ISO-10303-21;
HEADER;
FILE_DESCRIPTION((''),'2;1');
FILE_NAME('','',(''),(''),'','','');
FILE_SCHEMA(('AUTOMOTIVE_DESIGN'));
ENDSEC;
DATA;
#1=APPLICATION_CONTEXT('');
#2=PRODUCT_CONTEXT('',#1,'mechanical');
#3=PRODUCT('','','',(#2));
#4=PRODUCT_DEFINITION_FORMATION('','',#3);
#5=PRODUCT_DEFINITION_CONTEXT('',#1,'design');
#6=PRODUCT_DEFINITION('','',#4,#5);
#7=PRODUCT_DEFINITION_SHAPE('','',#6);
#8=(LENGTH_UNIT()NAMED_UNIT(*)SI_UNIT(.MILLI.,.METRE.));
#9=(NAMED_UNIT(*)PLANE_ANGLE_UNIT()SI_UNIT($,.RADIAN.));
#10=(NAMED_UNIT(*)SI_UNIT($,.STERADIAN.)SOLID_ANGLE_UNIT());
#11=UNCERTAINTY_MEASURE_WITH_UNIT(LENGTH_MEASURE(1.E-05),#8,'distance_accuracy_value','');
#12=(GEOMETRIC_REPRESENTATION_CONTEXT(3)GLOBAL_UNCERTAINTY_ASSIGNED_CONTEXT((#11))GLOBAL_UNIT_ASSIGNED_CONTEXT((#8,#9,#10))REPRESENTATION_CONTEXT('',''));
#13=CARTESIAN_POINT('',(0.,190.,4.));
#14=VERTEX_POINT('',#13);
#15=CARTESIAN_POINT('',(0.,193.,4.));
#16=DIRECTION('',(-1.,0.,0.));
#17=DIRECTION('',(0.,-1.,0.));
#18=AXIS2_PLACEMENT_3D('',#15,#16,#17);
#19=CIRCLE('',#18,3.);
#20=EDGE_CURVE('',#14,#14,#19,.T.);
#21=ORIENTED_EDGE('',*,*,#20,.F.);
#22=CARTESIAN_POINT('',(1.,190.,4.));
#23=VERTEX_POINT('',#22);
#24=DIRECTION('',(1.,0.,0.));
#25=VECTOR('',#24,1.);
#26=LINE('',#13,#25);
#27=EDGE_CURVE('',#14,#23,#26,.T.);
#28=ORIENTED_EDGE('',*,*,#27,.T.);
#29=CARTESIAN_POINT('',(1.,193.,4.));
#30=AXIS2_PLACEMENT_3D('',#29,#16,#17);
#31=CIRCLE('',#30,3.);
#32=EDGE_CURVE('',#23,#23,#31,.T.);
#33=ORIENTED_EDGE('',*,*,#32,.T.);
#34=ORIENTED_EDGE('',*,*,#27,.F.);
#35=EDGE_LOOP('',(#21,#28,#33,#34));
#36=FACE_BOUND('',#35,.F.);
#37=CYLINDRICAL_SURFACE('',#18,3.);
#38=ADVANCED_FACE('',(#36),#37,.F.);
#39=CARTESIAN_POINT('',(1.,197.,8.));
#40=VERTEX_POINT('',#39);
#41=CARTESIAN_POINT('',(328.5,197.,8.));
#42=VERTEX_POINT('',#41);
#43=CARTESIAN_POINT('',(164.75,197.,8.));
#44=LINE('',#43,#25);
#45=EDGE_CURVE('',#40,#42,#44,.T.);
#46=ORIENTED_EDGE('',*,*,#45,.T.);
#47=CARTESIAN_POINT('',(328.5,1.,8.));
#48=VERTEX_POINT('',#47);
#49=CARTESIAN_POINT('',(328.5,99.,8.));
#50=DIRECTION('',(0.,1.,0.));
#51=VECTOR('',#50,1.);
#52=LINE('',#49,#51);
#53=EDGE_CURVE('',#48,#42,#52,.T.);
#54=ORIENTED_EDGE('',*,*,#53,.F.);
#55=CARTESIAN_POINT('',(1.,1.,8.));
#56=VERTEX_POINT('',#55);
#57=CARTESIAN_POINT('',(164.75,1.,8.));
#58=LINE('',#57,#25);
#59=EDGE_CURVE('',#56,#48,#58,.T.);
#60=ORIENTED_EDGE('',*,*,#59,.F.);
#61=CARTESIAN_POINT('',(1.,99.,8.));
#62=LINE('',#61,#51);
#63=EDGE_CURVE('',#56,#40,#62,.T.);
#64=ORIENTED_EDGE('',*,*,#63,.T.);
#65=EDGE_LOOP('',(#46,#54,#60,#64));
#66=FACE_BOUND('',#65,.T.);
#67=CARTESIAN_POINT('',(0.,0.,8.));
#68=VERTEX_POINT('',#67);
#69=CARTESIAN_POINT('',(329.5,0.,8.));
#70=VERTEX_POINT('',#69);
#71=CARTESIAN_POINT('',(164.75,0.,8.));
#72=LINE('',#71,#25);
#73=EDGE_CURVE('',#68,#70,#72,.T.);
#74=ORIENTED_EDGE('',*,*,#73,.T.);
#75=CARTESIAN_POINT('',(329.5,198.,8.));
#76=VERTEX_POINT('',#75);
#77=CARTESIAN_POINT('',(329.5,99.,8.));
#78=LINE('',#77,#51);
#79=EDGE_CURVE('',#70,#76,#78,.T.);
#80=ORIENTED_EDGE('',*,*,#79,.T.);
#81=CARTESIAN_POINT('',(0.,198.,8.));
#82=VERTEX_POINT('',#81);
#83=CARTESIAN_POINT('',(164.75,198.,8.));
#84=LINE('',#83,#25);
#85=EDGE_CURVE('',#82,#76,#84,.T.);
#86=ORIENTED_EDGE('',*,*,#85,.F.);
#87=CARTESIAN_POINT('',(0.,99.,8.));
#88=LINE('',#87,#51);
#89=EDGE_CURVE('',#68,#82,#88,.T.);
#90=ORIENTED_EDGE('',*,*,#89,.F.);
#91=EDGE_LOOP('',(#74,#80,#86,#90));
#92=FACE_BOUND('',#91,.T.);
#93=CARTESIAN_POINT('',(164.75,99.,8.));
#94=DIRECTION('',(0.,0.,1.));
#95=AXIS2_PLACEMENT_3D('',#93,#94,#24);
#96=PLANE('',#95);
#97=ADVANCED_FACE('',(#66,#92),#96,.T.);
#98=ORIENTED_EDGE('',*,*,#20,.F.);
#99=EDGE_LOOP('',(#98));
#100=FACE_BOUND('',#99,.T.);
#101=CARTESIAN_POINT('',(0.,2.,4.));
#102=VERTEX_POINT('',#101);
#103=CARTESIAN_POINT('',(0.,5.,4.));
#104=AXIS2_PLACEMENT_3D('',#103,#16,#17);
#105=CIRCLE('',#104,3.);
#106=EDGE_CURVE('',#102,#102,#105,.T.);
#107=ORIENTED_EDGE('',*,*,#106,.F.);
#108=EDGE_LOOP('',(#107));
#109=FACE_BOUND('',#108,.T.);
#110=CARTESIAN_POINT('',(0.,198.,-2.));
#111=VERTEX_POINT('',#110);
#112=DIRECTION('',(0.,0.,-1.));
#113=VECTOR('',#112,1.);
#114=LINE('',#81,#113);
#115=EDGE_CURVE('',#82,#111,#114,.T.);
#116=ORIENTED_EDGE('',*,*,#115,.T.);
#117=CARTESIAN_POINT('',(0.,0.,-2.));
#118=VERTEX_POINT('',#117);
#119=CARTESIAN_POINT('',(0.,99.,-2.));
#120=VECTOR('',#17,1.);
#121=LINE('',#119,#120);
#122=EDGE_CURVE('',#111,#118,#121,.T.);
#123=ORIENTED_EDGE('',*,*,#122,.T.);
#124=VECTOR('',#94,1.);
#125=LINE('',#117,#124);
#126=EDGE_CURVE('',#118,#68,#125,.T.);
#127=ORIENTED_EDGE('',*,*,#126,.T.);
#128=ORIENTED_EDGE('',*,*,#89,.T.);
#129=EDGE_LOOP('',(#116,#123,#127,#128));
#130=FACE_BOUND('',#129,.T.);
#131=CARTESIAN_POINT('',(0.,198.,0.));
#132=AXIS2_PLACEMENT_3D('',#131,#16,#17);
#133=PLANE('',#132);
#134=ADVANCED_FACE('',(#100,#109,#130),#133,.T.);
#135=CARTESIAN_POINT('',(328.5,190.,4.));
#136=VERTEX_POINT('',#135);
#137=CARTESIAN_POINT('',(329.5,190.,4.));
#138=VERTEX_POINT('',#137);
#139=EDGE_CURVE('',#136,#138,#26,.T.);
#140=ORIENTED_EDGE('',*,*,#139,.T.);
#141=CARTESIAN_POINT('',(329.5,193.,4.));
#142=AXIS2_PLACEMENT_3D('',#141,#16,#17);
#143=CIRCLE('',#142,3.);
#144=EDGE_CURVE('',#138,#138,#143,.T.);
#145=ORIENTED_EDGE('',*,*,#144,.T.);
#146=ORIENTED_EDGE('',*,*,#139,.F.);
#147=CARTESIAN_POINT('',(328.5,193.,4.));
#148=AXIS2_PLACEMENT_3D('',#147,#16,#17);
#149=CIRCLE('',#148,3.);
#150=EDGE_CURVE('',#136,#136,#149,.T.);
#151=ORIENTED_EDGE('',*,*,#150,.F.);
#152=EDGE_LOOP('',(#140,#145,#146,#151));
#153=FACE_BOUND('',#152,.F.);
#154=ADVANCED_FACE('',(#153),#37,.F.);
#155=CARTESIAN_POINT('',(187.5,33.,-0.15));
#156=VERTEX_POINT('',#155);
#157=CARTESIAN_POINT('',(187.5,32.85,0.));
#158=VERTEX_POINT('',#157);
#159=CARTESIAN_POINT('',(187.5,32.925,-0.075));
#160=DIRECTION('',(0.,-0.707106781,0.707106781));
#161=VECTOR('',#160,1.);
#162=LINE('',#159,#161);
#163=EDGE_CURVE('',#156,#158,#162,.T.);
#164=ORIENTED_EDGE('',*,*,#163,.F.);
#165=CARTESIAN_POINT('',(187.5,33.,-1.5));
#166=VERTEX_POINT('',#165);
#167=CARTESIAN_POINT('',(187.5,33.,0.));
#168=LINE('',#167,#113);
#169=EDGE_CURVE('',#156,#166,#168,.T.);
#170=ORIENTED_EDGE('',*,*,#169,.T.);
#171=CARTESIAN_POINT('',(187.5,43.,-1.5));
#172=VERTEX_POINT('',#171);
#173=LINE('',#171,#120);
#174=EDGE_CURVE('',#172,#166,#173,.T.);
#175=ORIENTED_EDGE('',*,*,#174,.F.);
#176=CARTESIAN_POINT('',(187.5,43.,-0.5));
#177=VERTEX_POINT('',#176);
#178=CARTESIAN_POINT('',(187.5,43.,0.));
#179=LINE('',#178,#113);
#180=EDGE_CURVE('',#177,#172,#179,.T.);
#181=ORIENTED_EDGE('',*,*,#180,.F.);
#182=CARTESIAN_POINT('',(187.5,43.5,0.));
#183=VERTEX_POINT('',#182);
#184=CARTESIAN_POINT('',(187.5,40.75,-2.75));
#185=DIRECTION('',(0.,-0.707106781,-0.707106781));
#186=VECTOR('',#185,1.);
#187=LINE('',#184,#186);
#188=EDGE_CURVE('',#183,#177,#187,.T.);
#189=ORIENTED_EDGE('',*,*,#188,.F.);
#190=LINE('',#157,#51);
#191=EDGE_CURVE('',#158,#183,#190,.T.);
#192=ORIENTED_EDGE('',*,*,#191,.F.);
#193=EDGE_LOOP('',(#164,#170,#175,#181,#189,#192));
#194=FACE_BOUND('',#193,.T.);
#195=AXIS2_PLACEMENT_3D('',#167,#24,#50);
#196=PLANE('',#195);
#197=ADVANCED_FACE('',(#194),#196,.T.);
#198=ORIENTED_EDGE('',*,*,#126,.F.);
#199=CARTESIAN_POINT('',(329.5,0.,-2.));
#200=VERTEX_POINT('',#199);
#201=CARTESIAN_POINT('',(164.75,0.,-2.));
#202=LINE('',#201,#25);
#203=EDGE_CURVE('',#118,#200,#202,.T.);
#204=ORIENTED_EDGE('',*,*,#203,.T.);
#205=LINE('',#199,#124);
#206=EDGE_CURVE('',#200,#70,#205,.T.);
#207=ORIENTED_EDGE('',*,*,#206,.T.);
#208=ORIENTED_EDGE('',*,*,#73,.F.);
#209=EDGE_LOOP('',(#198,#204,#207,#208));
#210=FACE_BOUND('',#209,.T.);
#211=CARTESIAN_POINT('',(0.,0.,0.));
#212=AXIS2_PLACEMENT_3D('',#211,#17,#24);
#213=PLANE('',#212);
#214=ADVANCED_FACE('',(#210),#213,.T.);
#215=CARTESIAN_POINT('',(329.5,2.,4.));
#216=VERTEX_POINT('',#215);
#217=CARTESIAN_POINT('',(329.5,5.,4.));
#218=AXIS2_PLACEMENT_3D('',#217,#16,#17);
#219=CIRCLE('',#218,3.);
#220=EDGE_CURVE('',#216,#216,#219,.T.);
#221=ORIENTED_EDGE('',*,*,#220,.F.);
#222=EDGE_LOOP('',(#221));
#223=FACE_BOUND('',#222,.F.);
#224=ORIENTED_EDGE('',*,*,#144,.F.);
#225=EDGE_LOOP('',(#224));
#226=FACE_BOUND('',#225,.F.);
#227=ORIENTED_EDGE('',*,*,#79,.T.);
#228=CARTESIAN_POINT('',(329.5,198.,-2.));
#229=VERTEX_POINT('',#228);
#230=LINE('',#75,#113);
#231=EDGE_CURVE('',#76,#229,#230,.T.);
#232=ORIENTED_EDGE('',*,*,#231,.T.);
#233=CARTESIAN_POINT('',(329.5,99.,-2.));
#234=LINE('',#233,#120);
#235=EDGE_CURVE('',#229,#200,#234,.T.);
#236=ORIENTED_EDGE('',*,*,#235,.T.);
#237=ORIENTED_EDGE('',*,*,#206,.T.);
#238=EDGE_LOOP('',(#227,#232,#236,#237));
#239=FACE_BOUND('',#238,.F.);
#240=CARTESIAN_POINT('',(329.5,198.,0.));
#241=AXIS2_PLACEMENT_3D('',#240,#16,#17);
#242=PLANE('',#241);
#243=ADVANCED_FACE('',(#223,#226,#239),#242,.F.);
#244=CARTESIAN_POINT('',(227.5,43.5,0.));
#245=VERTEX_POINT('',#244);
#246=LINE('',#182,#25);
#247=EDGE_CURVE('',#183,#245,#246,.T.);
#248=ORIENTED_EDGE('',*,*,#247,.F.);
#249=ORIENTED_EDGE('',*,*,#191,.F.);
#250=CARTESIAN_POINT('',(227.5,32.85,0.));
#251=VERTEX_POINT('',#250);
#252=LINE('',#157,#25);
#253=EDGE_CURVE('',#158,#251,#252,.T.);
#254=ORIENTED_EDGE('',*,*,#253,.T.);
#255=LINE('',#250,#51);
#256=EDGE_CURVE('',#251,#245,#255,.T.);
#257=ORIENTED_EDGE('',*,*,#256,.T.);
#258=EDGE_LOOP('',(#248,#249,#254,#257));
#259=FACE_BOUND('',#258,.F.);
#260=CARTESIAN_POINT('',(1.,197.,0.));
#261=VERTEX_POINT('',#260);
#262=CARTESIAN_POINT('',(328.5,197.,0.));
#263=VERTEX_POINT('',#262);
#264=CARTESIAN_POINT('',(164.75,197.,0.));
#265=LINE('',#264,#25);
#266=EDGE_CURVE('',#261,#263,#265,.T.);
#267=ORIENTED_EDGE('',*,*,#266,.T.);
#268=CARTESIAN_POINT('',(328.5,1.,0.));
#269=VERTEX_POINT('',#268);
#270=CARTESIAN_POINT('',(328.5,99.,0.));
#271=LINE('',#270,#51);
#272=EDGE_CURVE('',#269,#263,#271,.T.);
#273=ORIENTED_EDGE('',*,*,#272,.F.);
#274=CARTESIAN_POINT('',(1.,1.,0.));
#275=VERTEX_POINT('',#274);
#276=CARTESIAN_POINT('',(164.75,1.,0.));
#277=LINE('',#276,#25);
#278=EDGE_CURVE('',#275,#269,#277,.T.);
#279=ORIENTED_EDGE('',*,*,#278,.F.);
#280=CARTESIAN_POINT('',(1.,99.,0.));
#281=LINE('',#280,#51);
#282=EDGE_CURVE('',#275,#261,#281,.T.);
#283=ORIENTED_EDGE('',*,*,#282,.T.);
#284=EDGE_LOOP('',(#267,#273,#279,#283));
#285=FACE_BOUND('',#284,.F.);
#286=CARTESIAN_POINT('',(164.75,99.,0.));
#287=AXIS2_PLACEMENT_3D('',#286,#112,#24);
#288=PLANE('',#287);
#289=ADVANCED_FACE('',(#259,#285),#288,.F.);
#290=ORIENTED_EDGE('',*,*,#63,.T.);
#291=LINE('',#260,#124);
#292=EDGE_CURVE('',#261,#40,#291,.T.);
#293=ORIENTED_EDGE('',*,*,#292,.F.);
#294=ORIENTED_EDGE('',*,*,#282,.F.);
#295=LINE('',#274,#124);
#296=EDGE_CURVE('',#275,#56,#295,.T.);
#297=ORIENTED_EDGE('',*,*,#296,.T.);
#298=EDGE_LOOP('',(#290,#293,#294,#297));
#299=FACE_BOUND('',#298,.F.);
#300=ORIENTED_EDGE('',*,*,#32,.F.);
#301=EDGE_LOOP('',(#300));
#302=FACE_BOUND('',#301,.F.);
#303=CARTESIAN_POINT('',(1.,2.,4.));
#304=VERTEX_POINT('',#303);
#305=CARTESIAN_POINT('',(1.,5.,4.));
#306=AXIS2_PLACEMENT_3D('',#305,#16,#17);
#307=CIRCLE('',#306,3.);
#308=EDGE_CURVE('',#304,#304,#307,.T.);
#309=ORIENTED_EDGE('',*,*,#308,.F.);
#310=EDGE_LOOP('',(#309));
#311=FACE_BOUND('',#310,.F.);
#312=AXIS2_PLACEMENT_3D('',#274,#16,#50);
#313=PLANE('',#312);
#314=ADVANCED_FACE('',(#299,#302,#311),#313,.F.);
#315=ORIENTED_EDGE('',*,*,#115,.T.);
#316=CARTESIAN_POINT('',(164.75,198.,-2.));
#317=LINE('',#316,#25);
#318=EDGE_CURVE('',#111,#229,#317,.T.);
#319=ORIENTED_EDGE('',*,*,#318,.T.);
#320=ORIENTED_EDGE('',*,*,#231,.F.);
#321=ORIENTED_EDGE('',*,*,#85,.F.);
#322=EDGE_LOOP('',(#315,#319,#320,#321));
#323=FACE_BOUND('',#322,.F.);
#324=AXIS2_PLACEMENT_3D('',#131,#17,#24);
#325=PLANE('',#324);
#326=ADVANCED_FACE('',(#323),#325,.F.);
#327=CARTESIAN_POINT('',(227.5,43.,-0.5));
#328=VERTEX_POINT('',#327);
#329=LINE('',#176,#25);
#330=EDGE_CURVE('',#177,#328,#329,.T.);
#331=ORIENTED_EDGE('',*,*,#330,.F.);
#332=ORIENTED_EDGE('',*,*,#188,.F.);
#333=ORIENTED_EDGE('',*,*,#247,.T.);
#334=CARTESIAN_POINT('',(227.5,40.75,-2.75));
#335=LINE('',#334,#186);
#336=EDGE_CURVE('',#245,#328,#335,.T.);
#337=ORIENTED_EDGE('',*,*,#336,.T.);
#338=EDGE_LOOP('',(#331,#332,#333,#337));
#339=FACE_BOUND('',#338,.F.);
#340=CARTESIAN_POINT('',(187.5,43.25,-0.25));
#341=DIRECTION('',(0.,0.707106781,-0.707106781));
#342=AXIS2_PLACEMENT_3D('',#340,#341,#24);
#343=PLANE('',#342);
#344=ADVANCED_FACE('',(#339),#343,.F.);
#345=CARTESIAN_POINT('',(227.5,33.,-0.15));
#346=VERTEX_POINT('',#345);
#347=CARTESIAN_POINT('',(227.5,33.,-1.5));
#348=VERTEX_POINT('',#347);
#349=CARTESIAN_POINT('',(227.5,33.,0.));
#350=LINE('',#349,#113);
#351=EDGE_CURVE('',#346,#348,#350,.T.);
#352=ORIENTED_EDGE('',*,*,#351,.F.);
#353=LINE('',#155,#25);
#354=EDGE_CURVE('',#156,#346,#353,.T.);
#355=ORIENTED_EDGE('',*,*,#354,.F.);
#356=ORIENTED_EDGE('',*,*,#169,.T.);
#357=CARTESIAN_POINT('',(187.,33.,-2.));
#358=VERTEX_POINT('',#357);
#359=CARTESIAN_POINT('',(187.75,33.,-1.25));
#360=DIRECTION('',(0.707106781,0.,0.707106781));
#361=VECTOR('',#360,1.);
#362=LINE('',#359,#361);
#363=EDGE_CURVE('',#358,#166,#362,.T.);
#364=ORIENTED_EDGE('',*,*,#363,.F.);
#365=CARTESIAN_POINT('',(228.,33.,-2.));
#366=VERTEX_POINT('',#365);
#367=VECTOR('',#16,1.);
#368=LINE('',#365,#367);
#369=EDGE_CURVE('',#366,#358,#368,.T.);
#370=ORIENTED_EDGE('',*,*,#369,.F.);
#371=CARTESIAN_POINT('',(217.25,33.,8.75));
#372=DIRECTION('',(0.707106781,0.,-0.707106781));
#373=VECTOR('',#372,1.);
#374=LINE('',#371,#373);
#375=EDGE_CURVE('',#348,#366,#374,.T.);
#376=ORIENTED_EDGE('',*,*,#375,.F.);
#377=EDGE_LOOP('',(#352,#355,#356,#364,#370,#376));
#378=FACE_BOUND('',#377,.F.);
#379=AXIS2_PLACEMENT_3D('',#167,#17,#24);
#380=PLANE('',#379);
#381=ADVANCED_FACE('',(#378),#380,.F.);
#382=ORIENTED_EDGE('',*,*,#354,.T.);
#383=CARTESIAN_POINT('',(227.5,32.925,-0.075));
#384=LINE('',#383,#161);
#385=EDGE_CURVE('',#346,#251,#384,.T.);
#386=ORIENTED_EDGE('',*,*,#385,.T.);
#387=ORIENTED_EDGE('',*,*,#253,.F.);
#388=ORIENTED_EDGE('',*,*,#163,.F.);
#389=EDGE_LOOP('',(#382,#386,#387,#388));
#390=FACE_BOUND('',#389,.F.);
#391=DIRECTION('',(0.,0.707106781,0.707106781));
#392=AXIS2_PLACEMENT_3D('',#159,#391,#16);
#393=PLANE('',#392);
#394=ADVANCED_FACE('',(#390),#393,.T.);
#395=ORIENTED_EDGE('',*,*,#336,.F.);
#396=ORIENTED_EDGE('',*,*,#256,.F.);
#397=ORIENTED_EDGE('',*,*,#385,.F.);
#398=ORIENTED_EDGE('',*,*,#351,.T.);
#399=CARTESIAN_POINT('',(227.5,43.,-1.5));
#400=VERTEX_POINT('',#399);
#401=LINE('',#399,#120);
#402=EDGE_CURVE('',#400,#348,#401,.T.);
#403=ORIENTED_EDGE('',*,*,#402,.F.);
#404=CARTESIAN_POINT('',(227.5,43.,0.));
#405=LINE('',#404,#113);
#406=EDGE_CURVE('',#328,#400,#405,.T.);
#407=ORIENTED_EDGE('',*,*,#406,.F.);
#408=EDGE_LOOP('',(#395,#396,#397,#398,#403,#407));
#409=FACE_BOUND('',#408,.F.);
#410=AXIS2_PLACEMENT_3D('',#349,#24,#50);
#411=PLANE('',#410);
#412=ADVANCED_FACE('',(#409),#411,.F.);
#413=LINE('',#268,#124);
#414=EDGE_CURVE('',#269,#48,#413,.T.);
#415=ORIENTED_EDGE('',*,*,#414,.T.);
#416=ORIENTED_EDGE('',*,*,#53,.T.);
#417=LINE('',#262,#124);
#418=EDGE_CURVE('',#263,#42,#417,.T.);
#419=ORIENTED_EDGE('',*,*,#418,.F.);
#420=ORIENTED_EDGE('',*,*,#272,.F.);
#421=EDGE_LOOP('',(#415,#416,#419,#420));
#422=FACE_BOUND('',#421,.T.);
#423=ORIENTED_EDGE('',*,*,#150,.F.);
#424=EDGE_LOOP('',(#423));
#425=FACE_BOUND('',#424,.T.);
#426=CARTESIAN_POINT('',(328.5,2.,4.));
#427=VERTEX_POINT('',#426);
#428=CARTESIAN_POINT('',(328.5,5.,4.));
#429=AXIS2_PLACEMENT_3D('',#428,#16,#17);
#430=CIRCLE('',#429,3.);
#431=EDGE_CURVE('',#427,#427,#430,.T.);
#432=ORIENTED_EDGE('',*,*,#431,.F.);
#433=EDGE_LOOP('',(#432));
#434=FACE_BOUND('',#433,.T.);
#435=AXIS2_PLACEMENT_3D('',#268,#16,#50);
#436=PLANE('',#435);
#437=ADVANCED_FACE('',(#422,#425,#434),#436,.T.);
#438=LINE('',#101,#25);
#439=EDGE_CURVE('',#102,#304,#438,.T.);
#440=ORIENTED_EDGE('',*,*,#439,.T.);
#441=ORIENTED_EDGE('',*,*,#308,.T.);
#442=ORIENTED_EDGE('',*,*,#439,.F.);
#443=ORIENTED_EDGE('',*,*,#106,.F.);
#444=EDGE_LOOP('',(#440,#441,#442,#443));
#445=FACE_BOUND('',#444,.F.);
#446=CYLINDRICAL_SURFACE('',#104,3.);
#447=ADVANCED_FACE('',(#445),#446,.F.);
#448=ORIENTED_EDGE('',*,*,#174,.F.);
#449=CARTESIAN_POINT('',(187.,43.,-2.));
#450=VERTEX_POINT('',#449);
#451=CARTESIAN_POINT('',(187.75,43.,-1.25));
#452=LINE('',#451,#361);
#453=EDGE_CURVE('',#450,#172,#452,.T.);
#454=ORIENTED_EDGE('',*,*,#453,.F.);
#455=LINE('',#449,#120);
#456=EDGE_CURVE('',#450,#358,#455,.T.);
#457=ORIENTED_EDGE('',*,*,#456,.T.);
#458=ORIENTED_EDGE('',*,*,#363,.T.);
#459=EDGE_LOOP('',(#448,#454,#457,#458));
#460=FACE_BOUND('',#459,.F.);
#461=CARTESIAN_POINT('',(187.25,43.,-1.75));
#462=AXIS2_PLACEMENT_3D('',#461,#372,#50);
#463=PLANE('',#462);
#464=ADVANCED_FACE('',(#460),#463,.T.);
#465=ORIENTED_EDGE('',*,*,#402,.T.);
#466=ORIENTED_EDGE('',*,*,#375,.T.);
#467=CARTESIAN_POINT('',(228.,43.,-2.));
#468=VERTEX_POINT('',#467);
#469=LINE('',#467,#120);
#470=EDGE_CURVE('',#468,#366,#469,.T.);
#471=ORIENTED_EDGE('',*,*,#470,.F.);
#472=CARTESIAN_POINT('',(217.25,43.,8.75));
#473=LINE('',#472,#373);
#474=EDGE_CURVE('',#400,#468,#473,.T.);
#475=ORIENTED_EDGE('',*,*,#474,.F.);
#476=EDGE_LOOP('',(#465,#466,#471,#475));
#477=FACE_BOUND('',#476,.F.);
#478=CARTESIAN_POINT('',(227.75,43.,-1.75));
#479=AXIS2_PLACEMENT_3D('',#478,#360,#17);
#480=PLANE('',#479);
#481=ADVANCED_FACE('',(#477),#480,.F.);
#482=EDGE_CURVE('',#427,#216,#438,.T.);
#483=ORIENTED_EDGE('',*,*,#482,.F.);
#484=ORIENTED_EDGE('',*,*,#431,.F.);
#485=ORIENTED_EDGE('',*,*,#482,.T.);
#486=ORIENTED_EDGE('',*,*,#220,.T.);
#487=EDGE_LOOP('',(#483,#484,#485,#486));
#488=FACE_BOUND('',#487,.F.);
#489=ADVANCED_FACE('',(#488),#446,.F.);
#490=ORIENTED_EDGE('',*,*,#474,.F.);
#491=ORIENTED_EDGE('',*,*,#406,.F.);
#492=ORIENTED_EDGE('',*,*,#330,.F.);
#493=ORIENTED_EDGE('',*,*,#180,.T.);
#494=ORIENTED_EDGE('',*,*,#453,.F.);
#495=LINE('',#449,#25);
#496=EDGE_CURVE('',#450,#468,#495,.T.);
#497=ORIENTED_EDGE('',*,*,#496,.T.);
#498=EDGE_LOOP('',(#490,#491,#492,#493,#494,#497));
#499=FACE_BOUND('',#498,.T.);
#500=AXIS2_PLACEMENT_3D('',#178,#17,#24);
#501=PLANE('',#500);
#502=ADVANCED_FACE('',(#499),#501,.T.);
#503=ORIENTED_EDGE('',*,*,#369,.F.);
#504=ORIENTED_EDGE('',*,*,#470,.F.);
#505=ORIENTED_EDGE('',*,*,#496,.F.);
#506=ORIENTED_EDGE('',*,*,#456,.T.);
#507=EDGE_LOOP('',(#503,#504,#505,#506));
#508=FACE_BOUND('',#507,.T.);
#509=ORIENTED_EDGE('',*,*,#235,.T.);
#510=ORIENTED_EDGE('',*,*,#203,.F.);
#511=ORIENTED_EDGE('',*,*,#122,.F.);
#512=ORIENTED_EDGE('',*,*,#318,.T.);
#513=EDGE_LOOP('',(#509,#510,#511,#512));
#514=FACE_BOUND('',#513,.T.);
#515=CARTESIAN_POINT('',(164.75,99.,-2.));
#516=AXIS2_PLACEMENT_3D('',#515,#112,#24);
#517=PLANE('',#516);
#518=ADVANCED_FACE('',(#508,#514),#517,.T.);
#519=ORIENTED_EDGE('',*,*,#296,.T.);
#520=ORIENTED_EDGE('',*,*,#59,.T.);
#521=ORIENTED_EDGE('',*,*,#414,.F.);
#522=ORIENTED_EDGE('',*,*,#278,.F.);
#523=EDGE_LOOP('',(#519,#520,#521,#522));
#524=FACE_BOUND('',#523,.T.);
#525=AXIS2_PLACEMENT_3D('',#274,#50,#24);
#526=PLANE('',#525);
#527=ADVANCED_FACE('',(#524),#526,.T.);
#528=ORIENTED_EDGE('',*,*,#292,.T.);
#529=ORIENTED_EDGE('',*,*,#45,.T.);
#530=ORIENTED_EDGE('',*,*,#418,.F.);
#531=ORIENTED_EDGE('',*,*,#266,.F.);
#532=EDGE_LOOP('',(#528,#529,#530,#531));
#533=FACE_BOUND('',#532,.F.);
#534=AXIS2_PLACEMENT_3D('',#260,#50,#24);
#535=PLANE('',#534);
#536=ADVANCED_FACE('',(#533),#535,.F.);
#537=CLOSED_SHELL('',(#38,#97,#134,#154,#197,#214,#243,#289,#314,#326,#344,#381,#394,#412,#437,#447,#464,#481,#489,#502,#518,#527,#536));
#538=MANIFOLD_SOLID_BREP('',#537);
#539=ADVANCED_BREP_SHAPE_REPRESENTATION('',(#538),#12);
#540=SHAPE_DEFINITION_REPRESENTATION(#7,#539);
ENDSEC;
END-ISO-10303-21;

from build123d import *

# Parameters (mm, degrees)
SKETCH_W        = 329.5
SKETCH_H        = 198
SKETCH_W_2      = 327.5
SKETCH_H_2      = 196
PAD_DEPTH       = 8
SKETCH001_W     = 329.5
SKETCH001_H     = 198
PAD001_DEPTH    = 2
SKETCH002_W     = 40
SKETCH002_H     = 10
POCKET_DEPTH    = 2.001
CHAMFER_SIZE    = 0.15
CHAMFER001_SIZE = 0.5
CHAMFER002_SIZE = 0.5
SKETCH003_R     = 3
POCKET001_DEPTH = 329.501


with BuildPart() as part:
    # Sketch → Pad (new body)
    with BuildSketch(Plane.XY):
        with Locations((164.75, 99)):
            Rectangle(SKETCH_W, SKETCH_H)
        with Locations((164.75, 99)):
            Rectangle(SKETCH_W_2, SKETCH_H_2, mode=Mode.SUBTRACT)
    extrude(amount=PAD_DEPTH)

    # Sketch001 (on Face9 of Pad) → Pad001 (join)
    with BuildSketch(Plane(origin=(0, 0, 0), x_dir=(1, 0, 0), z_dir=(0, 0, -1))):
        with Locations((164.75, -99)):
            Rectangle(SKETCH001_W, SKETCH001_H)
    extrude(amount=PAD001_DEPTH)

    # Sketch002 (on Face15 of Pad001) → Pocket (cut, through all)
    with BuildSketch(Plane.XY):
        with Locations((207.5, 38)):
            Rectangle(SKETCH002_W, SKETCH002_H)
    extrude(amount=-POCKET_DEPTH, mode=Mode.SUBTRACT)

    # Chamfer
    chamfer_edges = [part.edges().sort_by_distance(p)[0] for p in [
        (207.5, 33, 0),
    ]]
    chamfer(chamfer_edges, length=CHAMFER_SIZE)

    # Chamfer001
    chamfer001_edges = [part.edges().sort_by_distance(p)[0] for p in [
        (207.5, 43, 0),
    ]]
    chamfer(chamfer001_edges, length=CHAMFER001_SIZE)

    # Chamfer002
    chamfer002_edges = [part.edges().sort_by_distance(p)[0] for p in [
        (187.5, 38, -2),
        (227.5, 38, -2),
    ]]
    chamfer(chamfer002_edges, length=CHAMFER002_SIZE)

    # Sketch003 (on Face21 of Chamfer002) → Pocket001 (cut, through all)
    with BuildSketch(Plane(origin=(0, 0, 0), x_dir=(0, -1, 0), z_dir=(-1, 0, 0))):
        with Locations((-193, 4)):
            Circle(SKETCH003_R)
        with Locations((-5, 4)):
            Circle(SKETCH003_R)
    extrude(amount=-POCKET001_DEPTH, mode=Mode.SUBTRACT)


solid = part.part
